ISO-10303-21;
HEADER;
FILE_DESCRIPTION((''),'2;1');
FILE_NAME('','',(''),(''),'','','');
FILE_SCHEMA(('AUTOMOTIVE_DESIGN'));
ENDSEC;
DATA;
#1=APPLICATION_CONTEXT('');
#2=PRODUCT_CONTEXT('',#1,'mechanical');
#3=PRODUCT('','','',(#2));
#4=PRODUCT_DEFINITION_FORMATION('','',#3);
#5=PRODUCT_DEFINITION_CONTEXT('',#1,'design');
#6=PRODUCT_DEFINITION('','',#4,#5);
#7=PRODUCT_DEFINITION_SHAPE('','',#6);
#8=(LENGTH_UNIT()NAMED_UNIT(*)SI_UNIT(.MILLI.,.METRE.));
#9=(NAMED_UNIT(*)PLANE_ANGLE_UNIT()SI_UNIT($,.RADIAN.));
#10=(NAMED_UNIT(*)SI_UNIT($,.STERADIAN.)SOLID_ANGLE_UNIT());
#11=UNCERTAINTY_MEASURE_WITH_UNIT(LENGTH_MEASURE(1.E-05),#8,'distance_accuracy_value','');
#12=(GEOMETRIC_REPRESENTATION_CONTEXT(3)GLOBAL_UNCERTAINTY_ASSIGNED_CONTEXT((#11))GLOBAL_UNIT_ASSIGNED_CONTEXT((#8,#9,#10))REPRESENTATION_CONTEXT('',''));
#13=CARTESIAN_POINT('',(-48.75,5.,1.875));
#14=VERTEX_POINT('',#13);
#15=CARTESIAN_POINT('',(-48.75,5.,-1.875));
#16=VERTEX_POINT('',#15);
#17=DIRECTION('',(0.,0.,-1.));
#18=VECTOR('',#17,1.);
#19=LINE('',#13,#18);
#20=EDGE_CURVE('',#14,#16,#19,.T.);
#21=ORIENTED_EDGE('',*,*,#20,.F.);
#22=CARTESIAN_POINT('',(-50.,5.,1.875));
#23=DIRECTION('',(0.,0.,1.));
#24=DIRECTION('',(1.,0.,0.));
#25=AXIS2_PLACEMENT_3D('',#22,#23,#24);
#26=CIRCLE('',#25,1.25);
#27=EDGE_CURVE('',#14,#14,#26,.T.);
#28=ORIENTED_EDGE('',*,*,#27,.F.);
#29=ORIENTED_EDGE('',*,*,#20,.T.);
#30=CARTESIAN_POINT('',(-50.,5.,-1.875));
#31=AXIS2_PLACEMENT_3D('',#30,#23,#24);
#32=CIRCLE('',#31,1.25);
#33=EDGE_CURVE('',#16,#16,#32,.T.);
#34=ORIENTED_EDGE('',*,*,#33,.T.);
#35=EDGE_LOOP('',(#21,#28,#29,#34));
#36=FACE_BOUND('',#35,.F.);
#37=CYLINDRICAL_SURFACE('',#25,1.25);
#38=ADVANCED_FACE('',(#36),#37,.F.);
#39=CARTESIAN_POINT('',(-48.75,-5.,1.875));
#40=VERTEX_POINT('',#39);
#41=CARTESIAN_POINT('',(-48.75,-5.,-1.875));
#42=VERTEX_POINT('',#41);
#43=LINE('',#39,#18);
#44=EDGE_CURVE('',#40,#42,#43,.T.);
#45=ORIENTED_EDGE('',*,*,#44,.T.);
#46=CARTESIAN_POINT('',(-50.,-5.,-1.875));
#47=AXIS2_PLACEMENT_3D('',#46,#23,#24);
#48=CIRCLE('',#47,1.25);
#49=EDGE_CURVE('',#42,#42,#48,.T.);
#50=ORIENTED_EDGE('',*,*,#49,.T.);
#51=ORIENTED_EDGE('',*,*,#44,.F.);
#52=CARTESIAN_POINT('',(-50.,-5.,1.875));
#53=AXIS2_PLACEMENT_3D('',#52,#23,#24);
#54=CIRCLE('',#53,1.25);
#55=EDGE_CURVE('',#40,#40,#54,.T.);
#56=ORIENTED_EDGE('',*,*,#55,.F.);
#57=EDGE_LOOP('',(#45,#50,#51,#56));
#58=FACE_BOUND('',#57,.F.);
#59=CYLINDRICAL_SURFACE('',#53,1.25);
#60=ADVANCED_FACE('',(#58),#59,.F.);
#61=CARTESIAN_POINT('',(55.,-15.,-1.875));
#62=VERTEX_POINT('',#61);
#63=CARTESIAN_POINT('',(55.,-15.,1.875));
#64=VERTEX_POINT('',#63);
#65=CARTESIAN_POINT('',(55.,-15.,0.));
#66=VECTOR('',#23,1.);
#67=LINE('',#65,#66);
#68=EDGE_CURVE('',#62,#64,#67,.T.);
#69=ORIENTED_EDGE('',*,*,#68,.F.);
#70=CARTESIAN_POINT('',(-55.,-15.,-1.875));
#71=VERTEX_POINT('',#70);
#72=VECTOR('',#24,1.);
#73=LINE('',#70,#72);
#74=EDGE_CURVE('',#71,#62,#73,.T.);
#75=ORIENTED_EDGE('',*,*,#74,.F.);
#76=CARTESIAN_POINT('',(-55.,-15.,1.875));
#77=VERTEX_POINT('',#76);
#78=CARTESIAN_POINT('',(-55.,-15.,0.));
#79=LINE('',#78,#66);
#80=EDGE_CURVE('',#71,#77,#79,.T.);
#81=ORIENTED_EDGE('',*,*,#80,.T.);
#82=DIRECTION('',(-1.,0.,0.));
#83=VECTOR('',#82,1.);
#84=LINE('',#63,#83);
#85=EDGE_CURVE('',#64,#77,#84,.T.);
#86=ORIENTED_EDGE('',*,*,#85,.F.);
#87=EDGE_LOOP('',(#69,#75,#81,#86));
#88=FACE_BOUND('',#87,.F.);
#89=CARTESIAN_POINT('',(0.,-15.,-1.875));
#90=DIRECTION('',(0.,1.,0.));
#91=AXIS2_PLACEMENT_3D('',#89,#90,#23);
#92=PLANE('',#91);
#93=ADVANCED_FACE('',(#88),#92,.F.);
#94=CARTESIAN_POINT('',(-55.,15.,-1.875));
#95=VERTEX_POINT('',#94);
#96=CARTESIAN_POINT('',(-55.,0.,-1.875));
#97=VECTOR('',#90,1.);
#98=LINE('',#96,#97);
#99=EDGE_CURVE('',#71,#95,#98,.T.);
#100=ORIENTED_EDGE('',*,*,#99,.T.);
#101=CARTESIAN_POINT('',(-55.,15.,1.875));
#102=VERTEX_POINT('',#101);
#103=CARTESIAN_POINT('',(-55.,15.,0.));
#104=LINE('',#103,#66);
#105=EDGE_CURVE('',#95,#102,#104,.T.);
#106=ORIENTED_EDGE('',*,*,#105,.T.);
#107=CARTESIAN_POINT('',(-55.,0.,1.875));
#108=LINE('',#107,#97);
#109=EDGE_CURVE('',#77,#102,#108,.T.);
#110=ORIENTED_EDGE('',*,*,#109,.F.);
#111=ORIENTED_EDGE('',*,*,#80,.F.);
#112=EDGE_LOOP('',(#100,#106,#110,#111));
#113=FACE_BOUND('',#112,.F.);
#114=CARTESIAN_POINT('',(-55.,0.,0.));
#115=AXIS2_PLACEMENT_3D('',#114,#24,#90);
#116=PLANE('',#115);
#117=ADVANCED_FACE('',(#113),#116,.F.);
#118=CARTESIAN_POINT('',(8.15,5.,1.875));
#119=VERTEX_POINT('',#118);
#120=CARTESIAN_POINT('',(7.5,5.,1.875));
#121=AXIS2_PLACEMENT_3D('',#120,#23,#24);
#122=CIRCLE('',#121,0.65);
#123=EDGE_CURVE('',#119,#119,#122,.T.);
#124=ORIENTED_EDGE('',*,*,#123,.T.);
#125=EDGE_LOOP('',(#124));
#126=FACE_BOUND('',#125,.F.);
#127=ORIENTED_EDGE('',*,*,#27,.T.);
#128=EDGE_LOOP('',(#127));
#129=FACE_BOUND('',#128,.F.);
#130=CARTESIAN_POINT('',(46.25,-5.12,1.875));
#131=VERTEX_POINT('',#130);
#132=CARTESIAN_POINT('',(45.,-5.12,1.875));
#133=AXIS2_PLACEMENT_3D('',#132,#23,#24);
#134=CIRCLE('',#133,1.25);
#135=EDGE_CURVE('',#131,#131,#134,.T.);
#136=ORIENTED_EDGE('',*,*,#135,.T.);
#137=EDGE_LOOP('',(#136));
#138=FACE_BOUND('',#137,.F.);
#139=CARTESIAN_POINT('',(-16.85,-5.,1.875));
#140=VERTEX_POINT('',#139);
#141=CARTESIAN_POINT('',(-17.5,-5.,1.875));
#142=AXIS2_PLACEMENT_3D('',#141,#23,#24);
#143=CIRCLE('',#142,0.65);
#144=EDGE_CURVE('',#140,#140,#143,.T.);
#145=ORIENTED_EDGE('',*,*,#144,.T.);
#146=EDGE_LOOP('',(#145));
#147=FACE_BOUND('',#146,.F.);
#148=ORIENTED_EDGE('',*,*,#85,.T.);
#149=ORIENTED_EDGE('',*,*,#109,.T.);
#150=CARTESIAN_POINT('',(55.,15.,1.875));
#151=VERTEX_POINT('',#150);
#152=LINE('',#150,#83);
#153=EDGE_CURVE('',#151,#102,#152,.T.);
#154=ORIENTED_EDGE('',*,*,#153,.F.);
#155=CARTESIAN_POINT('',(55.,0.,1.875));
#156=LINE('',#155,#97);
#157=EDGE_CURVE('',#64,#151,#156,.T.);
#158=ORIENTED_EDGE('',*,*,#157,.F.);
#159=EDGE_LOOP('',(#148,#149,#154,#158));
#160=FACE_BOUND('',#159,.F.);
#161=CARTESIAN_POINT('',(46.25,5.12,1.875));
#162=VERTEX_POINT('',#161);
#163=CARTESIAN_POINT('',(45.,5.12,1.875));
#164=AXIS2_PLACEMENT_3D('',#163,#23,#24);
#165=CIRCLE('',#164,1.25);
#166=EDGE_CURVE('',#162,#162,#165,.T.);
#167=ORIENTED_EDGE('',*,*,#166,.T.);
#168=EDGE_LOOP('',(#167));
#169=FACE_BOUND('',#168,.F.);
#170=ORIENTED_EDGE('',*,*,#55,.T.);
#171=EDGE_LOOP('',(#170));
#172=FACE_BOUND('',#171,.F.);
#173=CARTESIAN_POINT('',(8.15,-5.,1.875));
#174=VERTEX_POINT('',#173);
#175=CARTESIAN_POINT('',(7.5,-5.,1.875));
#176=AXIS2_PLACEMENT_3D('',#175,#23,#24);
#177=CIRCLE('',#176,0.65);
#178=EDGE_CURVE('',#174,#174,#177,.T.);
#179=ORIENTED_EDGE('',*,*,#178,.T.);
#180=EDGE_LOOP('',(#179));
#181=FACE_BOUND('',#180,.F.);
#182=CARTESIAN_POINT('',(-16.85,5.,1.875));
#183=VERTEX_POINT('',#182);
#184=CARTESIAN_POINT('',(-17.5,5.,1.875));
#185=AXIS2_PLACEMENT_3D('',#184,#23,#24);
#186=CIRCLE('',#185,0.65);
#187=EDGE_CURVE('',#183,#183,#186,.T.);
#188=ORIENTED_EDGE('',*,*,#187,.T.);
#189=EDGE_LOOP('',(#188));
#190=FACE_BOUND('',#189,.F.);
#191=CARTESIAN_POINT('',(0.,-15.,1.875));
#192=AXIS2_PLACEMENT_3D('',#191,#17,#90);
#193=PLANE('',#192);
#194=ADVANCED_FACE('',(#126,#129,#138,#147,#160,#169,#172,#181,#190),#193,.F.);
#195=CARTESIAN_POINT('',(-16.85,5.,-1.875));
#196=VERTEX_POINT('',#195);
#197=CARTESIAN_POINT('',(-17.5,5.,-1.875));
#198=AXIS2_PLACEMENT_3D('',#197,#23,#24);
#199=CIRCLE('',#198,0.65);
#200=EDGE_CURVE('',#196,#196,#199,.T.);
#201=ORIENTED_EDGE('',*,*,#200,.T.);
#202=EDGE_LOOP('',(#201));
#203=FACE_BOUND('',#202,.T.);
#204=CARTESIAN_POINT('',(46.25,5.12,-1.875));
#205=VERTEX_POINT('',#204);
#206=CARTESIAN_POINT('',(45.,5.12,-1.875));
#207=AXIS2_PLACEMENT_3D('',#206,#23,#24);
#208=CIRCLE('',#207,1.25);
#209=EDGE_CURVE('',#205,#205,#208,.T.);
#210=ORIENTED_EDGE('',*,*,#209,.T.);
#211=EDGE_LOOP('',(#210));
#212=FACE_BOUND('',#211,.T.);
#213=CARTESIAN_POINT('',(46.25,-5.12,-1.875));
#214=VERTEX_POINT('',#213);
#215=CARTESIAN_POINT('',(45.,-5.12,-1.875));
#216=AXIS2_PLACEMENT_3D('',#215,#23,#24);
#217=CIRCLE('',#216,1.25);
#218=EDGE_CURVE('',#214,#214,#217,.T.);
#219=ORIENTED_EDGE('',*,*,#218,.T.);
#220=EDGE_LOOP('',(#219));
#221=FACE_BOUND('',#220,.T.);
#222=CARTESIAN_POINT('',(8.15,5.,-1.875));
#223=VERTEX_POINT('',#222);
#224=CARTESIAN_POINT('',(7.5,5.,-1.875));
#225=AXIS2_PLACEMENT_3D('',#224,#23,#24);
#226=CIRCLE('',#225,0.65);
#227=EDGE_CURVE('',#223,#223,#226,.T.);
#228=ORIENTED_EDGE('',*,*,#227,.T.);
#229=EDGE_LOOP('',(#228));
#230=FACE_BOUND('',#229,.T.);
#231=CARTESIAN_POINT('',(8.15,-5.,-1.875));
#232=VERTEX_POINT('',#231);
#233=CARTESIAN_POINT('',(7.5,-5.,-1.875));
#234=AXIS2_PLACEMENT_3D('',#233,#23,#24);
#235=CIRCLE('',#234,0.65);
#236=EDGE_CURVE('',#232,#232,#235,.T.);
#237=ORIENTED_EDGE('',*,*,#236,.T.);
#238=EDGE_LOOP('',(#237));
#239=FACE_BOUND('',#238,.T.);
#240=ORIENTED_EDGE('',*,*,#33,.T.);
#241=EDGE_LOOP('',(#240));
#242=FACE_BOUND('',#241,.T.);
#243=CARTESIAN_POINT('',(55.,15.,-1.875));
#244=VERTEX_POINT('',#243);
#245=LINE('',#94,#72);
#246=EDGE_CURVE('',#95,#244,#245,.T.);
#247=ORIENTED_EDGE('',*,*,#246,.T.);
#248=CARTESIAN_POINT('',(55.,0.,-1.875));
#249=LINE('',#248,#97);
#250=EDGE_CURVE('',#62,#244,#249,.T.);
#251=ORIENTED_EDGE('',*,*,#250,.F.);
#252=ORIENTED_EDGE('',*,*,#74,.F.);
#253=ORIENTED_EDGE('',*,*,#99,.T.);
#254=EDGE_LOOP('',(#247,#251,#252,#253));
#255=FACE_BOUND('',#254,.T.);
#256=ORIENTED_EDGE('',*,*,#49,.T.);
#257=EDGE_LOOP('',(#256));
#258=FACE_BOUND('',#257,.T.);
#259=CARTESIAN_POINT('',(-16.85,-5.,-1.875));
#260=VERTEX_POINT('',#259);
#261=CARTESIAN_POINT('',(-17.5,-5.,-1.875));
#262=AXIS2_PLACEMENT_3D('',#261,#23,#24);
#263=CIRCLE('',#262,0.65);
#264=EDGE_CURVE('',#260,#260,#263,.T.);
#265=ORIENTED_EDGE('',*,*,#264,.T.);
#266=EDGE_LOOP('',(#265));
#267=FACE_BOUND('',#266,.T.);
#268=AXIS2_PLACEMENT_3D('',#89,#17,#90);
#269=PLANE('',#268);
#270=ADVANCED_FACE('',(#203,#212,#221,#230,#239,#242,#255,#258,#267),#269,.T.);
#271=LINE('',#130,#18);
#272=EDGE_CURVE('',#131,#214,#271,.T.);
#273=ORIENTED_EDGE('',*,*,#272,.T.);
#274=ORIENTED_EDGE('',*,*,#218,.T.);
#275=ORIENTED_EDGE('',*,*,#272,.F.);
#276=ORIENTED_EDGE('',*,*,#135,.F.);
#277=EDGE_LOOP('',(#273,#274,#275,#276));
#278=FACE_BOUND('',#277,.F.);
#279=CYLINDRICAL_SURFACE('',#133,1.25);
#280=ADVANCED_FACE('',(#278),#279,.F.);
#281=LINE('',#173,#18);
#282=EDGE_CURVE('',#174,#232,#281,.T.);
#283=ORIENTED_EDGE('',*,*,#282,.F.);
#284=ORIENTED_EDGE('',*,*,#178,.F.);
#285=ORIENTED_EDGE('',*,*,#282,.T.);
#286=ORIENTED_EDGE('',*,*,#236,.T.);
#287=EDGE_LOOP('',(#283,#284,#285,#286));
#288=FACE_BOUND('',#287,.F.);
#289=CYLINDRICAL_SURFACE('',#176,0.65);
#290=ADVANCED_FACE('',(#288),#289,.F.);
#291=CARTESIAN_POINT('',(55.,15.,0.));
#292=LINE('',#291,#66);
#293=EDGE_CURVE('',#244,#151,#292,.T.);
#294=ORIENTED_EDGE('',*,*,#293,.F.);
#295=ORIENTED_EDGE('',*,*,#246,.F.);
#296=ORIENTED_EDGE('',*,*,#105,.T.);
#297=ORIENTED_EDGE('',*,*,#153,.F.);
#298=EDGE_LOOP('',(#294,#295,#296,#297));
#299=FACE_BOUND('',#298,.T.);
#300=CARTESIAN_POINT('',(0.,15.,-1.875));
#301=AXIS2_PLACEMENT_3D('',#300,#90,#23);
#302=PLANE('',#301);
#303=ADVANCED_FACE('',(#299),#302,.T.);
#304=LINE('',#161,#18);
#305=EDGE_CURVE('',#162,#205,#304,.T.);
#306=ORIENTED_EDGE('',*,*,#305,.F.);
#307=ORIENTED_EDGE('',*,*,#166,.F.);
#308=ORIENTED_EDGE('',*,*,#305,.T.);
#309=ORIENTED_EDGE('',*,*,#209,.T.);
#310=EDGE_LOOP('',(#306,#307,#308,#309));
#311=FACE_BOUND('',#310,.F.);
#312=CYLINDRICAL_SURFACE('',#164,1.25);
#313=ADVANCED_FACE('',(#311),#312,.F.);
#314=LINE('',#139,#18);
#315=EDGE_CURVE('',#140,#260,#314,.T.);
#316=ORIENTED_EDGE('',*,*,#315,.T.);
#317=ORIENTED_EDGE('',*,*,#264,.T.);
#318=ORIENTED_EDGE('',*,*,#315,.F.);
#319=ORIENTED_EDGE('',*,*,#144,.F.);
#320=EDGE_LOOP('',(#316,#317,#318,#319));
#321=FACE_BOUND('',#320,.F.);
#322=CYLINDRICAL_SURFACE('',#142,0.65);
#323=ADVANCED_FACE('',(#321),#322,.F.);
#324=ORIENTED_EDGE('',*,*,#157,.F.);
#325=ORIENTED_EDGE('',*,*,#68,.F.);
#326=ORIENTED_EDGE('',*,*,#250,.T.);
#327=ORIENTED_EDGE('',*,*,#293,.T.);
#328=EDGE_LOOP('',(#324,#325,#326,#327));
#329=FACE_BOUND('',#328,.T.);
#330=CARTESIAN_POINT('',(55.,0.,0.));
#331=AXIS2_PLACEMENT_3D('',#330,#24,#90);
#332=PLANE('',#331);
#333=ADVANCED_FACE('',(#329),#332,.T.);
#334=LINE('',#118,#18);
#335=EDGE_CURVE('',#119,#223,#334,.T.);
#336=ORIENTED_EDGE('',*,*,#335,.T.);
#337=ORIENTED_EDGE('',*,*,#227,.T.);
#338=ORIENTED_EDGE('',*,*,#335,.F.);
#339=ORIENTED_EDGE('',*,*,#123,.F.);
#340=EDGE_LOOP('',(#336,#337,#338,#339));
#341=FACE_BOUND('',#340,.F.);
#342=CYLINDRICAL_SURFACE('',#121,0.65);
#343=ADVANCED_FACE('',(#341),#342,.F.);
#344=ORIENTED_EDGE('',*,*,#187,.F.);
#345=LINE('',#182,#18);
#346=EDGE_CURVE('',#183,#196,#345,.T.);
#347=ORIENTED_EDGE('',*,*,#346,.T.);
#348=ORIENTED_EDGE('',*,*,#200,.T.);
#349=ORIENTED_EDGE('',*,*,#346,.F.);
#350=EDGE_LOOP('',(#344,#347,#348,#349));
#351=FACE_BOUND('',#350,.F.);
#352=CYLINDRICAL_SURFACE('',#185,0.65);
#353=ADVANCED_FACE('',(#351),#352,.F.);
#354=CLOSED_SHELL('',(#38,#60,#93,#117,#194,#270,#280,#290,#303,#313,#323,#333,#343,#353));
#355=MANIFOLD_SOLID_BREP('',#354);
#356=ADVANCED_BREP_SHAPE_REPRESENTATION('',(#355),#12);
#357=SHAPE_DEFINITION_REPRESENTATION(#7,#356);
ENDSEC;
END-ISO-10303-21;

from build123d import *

# Parameters (mm, degrees)
F0_W     = 30
F0_H     = 3.75
F1_DEPTH = 55
F2_R     = 1.25
F3_DEPTH = 3.751
F4_R     = 0.65
F5_DEPTH = 3.751


with BuildPart() as f1:
    # F0 (on Right) → F1 (new body, symmetric)
    with BuildSketch(Plane.YZ):
        Rectangle(F0_W, F0_H)
    extrude(amount=F1_DEPTH, both=True)

    # F2 (on face) → F3 (cut, through all)
    with BuildSketch(Plane.XY.offset(1.875)):
        with Locations((-50, 5)):
            Circle(F2_R)
        with Locations((45, -5.12)):
            Circle(F2_R)
        with Locations((45, 5.12)):
            Circle(F2_R)
        with Locations((-50, -5)):
            Circle(F2_R)
    extrude(amount=-F3_DEPTH, mode=Mode.SUBTRACT)

    # F4 (on face) → F5 (cut, through all)
    with BuildSketch(Plane.XY.offset(1.875)):
        with Locations((-17.5, 5)):
            Circle(F4_R)
        with Locations((-17.5, -5)):
            Circle(F4_R)
        with Locations((7.5, 5)):
            Circle(F4_R)
        with Locations((7.5, -5)):
            Circle(F4_R)
    extrude(amount=-F5_DEPTH, mode=Mode.SUBTRACT)


solid = f1.part
